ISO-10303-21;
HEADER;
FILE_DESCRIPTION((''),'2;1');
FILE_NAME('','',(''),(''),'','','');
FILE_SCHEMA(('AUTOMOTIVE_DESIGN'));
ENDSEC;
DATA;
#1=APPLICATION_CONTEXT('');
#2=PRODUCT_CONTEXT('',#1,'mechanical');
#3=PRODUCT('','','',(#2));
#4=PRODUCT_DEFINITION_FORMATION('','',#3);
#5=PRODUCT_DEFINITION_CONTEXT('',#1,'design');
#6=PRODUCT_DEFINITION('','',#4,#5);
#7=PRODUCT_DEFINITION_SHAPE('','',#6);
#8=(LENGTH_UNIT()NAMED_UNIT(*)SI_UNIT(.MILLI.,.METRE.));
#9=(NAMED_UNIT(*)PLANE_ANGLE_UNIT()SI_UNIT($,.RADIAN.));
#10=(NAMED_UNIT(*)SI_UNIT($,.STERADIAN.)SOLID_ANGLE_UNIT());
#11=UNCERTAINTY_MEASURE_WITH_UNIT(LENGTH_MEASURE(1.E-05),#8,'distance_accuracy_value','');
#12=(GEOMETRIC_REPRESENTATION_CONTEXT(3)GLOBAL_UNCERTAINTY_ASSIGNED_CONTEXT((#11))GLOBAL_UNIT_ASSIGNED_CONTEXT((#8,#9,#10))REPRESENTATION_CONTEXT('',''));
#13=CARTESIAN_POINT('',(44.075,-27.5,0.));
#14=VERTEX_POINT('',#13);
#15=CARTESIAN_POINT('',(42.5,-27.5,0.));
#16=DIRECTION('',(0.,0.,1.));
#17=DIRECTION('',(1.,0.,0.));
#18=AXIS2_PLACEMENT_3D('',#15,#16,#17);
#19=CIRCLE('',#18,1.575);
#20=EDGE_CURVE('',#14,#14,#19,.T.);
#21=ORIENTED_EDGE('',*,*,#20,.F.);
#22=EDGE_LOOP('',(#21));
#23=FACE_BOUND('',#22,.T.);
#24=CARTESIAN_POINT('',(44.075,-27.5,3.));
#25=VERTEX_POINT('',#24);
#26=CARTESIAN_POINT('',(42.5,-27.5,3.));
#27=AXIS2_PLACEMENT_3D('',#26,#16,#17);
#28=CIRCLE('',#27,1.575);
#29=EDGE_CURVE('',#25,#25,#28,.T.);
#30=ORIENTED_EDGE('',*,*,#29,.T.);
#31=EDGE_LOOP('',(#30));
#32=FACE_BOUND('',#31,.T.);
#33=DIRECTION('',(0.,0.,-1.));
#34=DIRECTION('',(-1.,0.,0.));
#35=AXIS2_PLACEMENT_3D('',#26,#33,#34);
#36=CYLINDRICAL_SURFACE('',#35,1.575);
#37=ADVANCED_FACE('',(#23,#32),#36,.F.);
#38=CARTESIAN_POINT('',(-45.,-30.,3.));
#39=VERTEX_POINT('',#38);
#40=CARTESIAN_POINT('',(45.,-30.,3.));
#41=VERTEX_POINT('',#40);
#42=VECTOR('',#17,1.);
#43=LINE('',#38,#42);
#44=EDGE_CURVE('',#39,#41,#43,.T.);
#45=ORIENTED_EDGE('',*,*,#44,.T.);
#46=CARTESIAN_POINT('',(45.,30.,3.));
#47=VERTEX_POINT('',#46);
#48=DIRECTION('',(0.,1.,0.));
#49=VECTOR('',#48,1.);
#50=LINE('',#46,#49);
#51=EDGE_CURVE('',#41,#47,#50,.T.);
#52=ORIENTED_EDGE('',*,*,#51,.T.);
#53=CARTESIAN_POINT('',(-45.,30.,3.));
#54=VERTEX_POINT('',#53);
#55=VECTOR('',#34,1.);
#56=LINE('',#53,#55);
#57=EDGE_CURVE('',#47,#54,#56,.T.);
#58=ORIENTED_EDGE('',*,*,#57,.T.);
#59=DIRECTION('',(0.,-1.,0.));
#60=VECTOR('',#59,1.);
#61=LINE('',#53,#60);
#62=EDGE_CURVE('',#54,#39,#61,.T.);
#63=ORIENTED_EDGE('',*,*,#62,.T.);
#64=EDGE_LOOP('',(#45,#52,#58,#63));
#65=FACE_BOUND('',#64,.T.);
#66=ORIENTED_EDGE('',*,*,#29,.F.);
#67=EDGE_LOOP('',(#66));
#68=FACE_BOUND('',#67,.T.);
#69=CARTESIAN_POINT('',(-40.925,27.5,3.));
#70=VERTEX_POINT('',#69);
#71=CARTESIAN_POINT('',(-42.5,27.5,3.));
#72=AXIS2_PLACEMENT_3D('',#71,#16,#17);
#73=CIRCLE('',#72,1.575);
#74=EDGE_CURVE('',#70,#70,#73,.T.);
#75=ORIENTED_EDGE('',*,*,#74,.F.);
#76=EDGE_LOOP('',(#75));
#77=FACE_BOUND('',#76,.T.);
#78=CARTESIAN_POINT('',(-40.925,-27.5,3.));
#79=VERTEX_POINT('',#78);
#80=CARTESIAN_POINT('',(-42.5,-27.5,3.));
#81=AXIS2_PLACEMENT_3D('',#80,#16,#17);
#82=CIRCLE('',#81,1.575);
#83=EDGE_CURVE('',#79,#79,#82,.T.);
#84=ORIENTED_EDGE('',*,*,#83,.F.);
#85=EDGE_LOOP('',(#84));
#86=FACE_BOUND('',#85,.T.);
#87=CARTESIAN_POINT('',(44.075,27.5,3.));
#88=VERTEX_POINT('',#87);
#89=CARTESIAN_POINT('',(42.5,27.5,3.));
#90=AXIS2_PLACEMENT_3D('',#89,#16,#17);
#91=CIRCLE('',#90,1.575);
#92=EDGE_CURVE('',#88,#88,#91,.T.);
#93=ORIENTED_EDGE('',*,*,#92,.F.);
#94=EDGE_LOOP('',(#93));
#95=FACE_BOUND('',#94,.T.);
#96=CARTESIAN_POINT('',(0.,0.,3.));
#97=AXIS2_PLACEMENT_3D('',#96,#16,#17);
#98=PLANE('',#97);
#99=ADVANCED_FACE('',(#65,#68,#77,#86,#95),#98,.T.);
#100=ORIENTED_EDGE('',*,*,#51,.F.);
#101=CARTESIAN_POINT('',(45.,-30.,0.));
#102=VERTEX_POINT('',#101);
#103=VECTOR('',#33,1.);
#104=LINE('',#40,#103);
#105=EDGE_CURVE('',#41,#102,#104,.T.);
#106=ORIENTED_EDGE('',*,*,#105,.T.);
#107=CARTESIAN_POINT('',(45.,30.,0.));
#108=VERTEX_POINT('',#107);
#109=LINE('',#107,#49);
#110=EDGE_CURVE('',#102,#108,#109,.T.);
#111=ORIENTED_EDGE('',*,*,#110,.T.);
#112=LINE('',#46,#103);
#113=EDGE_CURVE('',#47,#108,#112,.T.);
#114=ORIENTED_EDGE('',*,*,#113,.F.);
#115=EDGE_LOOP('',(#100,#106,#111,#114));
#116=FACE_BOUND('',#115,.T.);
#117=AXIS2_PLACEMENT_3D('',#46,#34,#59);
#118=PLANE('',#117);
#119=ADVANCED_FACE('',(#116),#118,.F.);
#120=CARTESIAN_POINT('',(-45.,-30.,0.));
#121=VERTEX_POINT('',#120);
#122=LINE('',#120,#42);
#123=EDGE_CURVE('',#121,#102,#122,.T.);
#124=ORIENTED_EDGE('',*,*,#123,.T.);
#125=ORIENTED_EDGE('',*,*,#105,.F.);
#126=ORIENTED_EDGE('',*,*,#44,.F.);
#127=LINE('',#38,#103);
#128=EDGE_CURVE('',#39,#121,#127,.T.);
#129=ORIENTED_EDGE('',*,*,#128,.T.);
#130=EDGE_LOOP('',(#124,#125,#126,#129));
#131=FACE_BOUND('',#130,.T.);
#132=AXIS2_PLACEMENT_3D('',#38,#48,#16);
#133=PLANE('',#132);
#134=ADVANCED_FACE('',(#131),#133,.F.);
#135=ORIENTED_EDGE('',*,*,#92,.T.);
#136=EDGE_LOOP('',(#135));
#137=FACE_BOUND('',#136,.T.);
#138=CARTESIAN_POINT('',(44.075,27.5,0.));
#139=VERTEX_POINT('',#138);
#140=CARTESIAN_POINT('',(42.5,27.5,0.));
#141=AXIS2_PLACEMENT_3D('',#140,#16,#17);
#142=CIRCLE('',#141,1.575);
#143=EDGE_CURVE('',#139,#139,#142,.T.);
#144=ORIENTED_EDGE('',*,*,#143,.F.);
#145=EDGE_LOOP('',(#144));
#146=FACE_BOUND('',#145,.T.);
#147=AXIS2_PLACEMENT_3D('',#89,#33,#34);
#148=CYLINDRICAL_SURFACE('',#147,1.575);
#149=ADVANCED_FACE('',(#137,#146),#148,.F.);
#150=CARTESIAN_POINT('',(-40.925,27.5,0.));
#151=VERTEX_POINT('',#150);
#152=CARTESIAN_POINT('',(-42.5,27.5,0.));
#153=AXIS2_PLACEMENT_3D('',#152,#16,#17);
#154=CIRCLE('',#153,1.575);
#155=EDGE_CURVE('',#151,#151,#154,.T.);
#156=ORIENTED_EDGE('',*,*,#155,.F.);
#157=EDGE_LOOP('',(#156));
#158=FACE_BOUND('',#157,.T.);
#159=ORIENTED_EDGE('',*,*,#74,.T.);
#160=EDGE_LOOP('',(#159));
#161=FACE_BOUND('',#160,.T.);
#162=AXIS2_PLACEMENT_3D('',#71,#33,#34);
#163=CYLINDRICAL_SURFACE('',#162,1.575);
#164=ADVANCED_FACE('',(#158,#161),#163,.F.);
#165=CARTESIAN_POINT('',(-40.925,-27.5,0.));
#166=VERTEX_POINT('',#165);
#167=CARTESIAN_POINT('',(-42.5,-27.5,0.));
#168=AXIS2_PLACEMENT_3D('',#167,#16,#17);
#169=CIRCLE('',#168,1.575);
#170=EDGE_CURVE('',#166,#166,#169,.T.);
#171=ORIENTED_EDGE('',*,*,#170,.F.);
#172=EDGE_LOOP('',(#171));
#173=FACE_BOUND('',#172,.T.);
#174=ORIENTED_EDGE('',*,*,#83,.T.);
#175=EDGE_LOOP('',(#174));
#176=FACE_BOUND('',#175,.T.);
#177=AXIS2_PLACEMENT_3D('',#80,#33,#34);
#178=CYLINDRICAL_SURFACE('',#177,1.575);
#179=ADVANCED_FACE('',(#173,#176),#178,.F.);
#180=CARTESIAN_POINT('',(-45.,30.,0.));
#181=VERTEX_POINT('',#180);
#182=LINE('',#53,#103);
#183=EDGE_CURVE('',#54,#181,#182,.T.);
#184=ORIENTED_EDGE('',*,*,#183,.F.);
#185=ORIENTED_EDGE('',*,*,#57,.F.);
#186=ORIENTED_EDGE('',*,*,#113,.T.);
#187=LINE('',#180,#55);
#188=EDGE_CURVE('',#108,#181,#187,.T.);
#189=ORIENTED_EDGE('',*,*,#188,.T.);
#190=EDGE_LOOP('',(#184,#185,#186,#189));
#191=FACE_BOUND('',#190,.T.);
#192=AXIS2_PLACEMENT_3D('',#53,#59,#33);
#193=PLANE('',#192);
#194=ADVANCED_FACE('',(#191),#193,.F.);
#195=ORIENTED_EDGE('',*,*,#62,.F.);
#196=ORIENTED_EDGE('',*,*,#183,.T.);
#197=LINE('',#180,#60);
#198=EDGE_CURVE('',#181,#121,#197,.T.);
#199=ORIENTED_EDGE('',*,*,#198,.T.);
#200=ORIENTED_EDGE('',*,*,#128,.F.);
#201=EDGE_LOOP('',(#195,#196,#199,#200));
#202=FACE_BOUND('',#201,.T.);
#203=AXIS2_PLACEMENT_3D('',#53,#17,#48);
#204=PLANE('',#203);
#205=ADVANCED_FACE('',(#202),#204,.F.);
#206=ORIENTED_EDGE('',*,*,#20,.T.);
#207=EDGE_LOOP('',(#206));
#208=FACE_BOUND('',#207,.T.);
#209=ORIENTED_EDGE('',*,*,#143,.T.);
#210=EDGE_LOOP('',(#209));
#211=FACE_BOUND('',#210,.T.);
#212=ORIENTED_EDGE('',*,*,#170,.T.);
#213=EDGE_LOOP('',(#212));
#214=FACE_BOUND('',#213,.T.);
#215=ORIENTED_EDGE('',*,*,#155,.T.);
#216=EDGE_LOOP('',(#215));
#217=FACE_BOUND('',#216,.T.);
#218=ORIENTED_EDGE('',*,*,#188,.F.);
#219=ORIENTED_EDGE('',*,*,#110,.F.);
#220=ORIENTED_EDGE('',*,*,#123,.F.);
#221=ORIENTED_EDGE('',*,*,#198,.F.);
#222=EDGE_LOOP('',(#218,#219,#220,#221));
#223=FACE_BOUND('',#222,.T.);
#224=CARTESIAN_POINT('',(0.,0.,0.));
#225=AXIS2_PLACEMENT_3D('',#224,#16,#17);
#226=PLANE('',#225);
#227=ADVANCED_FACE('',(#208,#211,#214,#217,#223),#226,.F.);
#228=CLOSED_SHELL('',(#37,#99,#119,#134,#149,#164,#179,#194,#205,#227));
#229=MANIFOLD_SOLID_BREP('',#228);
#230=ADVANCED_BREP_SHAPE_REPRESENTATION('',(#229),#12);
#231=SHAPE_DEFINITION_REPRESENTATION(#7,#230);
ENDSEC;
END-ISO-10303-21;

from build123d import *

# Parameters (mm, degrees)
SKETCH1_W           = 90
SKETCH1_H           = 60
SKETCH1_R           = 1.575
BOSS_EXTRUDE1_DEPTH = 3


with BuildPart() as part:
    # Sketch1 → Boss-Extrude1 (new body)
    with BuildSketch(Plane.XY):
        Rectangle(SKETCH1_W, SKETCH1_H)
        with Locations((-42.5, 27.5)):
            Circle(SKETCH1_R, mode=Mode.SUBTRACT)
        with Locations((42.5, 27.5)):
            Circle(SKETCH1_R, mode=Mode.SUBTRACT)
        with Locations((-42.5, -27.5)):
            Circle(SKETCH1_R, mode=Mode.SUBTRACT)
        with Locations((42.5, -27.5)):
            Circle(SKETCH1_R, mode=Mode.SUBTRACT)
    extrude(amount=BOSS_EXTRUDE1_DEPTH)


solid = part.part
